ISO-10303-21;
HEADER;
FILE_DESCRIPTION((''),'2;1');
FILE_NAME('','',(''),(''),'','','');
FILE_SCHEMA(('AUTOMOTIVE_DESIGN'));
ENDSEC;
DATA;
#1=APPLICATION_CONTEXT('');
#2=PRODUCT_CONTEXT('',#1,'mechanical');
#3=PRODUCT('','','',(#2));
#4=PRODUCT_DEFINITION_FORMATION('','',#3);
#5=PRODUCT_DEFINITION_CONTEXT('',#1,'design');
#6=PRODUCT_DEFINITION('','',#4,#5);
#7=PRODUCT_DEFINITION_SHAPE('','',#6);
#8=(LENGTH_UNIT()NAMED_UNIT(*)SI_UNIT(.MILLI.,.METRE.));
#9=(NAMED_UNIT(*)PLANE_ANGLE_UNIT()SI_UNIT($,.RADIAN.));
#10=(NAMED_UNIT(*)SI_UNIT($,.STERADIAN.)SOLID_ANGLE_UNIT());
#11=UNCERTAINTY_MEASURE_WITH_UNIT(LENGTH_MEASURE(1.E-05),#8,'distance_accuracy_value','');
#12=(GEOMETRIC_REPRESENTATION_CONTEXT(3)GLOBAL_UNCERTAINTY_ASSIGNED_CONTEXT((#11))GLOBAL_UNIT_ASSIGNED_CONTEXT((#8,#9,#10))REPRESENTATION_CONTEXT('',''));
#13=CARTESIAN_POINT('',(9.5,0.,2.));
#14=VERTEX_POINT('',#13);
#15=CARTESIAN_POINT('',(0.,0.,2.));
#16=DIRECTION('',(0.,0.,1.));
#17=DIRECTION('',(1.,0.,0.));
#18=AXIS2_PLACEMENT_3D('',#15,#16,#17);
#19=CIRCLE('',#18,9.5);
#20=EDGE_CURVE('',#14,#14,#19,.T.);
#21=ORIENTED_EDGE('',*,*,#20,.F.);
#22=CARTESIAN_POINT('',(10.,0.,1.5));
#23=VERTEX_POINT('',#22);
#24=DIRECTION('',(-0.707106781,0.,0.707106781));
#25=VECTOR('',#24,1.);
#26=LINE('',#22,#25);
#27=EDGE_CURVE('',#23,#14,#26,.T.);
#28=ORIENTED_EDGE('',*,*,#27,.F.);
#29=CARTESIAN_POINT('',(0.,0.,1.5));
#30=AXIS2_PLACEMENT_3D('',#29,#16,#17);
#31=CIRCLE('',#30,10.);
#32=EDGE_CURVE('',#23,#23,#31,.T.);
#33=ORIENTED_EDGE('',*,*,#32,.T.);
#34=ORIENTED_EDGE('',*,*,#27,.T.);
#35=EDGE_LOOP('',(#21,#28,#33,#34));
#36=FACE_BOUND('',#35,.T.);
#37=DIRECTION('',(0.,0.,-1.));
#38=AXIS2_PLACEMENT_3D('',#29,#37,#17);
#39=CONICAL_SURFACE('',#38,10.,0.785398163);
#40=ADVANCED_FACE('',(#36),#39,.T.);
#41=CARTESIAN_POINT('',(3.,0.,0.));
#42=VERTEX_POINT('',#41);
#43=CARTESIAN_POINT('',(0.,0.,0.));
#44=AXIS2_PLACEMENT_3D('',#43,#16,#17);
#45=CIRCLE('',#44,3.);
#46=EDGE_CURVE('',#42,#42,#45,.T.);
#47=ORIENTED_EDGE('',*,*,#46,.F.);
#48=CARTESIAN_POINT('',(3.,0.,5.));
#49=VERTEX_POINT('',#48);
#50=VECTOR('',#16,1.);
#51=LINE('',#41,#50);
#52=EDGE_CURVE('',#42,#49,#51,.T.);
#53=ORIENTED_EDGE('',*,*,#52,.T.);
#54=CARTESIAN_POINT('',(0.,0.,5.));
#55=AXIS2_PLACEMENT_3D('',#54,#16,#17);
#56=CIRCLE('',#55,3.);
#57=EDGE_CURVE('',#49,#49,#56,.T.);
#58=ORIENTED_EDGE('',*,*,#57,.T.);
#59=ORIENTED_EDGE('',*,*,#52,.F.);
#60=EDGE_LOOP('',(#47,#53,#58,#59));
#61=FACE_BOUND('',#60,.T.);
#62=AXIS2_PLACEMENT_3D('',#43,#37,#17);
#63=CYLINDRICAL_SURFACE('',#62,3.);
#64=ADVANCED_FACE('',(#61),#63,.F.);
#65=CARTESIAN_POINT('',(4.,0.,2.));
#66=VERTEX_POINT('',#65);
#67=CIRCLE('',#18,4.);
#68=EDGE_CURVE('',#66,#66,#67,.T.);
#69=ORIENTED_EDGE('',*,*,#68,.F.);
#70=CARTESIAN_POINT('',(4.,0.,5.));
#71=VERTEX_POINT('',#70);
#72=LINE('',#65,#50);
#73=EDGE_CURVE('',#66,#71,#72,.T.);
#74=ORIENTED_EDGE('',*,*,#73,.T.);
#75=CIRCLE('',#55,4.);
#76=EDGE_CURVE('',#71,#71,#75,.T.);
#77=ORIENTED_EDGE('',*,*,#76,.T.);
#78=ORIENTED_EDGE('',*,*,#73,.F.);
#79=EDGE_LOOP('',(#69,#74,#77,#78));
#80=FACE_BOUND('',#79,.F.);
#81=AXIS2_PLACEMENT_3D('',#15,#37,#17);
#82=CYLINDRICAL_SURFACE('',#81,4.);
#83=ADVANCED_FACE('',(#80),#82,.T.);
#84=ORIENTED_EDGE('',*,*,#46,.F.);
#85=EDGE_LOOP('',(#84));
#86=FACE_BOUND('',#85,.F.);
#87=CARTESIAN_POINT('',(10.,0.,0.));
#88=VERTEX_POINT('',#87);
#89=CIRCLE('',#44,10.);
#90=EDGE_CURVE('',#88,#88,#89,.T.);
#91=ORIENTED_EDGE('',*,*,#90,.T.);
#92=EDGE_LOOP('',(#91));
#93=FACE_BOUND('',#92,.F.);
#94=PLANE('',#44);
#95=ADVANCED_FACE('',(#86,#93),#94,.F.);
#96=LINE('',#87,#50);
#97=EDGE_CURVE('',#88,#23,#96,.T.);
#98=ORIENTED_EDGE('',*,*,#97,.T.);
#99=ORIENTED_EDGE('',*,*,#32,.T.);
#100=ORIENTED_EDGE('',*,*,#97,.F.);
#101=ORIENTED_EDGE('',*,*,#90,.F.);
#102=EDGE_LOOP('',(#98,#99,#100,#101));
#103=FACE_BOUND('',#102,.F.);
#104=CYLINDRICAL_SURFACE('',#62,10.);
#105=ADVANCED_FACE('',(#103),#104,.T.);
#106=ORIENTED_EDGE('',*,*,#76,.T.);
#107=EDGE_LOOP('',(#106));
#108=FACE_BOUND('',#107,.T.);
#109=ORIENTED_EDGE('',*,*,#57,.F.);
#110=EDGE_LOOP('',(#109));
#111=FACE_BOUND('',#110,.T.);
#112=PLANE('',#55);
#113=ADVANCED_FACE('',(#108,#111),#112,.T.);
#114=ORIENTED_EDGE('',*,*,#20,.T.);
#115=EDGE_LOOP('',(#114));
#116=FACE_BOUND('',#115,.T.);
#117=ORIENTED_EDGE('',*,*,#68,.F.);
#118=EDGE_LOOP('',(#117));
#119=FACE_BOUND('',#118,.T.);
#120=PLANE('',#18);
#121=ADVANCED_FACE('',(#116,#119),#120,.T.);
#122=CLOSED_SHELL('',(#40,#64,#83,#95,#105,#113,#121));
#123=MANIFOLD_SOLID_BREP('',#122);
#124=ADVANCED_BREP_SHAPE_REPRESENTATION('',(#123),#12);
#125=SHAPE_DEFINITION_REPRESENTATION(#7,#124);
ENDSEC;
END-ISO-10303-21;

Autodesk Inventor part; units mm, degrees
ref_plane "YZ Plane" through (0, 0, 0) normal (1, 0, 0) x (0, 1, 0)
ref_plane "XZ Plane" through (0, 0, 0) normal (0, 1, 0) x (-1, 0, 0)
ref_plane "XY Plane" through (0, 0, 0) normal (0, 0, 1) x (1, 0, 0)
sketch "Sketch1" plane through (0, 0, 0) normal (0, 0, 1) x (1, 0, 0)
  circle A0 centre (0, 0) radius 10
  circle A1 centre (0, 0) radius 3
  dimension "d0" = 20
  dimension "d1" = 6
extrude "Extrusion1" add sketch "Sketch1" along normal blind 2
sketch "Sketch2" plane through (0, 0, 2) normal (0, 0, 1) x (1, 0, 0)
  circle A0 centre (0, 0) radius 4
  circle A1 centre (0, 0) radius 3 projected
  dimension "d4" = 8
extrude "Extrusion2" add sketch "Sketch2" along normal blind 3
chamfer "Chamfer1" distance 0.5 angle 45 1 edges at (-10, 0, 2)
properties part number "end eff servo-conector"
